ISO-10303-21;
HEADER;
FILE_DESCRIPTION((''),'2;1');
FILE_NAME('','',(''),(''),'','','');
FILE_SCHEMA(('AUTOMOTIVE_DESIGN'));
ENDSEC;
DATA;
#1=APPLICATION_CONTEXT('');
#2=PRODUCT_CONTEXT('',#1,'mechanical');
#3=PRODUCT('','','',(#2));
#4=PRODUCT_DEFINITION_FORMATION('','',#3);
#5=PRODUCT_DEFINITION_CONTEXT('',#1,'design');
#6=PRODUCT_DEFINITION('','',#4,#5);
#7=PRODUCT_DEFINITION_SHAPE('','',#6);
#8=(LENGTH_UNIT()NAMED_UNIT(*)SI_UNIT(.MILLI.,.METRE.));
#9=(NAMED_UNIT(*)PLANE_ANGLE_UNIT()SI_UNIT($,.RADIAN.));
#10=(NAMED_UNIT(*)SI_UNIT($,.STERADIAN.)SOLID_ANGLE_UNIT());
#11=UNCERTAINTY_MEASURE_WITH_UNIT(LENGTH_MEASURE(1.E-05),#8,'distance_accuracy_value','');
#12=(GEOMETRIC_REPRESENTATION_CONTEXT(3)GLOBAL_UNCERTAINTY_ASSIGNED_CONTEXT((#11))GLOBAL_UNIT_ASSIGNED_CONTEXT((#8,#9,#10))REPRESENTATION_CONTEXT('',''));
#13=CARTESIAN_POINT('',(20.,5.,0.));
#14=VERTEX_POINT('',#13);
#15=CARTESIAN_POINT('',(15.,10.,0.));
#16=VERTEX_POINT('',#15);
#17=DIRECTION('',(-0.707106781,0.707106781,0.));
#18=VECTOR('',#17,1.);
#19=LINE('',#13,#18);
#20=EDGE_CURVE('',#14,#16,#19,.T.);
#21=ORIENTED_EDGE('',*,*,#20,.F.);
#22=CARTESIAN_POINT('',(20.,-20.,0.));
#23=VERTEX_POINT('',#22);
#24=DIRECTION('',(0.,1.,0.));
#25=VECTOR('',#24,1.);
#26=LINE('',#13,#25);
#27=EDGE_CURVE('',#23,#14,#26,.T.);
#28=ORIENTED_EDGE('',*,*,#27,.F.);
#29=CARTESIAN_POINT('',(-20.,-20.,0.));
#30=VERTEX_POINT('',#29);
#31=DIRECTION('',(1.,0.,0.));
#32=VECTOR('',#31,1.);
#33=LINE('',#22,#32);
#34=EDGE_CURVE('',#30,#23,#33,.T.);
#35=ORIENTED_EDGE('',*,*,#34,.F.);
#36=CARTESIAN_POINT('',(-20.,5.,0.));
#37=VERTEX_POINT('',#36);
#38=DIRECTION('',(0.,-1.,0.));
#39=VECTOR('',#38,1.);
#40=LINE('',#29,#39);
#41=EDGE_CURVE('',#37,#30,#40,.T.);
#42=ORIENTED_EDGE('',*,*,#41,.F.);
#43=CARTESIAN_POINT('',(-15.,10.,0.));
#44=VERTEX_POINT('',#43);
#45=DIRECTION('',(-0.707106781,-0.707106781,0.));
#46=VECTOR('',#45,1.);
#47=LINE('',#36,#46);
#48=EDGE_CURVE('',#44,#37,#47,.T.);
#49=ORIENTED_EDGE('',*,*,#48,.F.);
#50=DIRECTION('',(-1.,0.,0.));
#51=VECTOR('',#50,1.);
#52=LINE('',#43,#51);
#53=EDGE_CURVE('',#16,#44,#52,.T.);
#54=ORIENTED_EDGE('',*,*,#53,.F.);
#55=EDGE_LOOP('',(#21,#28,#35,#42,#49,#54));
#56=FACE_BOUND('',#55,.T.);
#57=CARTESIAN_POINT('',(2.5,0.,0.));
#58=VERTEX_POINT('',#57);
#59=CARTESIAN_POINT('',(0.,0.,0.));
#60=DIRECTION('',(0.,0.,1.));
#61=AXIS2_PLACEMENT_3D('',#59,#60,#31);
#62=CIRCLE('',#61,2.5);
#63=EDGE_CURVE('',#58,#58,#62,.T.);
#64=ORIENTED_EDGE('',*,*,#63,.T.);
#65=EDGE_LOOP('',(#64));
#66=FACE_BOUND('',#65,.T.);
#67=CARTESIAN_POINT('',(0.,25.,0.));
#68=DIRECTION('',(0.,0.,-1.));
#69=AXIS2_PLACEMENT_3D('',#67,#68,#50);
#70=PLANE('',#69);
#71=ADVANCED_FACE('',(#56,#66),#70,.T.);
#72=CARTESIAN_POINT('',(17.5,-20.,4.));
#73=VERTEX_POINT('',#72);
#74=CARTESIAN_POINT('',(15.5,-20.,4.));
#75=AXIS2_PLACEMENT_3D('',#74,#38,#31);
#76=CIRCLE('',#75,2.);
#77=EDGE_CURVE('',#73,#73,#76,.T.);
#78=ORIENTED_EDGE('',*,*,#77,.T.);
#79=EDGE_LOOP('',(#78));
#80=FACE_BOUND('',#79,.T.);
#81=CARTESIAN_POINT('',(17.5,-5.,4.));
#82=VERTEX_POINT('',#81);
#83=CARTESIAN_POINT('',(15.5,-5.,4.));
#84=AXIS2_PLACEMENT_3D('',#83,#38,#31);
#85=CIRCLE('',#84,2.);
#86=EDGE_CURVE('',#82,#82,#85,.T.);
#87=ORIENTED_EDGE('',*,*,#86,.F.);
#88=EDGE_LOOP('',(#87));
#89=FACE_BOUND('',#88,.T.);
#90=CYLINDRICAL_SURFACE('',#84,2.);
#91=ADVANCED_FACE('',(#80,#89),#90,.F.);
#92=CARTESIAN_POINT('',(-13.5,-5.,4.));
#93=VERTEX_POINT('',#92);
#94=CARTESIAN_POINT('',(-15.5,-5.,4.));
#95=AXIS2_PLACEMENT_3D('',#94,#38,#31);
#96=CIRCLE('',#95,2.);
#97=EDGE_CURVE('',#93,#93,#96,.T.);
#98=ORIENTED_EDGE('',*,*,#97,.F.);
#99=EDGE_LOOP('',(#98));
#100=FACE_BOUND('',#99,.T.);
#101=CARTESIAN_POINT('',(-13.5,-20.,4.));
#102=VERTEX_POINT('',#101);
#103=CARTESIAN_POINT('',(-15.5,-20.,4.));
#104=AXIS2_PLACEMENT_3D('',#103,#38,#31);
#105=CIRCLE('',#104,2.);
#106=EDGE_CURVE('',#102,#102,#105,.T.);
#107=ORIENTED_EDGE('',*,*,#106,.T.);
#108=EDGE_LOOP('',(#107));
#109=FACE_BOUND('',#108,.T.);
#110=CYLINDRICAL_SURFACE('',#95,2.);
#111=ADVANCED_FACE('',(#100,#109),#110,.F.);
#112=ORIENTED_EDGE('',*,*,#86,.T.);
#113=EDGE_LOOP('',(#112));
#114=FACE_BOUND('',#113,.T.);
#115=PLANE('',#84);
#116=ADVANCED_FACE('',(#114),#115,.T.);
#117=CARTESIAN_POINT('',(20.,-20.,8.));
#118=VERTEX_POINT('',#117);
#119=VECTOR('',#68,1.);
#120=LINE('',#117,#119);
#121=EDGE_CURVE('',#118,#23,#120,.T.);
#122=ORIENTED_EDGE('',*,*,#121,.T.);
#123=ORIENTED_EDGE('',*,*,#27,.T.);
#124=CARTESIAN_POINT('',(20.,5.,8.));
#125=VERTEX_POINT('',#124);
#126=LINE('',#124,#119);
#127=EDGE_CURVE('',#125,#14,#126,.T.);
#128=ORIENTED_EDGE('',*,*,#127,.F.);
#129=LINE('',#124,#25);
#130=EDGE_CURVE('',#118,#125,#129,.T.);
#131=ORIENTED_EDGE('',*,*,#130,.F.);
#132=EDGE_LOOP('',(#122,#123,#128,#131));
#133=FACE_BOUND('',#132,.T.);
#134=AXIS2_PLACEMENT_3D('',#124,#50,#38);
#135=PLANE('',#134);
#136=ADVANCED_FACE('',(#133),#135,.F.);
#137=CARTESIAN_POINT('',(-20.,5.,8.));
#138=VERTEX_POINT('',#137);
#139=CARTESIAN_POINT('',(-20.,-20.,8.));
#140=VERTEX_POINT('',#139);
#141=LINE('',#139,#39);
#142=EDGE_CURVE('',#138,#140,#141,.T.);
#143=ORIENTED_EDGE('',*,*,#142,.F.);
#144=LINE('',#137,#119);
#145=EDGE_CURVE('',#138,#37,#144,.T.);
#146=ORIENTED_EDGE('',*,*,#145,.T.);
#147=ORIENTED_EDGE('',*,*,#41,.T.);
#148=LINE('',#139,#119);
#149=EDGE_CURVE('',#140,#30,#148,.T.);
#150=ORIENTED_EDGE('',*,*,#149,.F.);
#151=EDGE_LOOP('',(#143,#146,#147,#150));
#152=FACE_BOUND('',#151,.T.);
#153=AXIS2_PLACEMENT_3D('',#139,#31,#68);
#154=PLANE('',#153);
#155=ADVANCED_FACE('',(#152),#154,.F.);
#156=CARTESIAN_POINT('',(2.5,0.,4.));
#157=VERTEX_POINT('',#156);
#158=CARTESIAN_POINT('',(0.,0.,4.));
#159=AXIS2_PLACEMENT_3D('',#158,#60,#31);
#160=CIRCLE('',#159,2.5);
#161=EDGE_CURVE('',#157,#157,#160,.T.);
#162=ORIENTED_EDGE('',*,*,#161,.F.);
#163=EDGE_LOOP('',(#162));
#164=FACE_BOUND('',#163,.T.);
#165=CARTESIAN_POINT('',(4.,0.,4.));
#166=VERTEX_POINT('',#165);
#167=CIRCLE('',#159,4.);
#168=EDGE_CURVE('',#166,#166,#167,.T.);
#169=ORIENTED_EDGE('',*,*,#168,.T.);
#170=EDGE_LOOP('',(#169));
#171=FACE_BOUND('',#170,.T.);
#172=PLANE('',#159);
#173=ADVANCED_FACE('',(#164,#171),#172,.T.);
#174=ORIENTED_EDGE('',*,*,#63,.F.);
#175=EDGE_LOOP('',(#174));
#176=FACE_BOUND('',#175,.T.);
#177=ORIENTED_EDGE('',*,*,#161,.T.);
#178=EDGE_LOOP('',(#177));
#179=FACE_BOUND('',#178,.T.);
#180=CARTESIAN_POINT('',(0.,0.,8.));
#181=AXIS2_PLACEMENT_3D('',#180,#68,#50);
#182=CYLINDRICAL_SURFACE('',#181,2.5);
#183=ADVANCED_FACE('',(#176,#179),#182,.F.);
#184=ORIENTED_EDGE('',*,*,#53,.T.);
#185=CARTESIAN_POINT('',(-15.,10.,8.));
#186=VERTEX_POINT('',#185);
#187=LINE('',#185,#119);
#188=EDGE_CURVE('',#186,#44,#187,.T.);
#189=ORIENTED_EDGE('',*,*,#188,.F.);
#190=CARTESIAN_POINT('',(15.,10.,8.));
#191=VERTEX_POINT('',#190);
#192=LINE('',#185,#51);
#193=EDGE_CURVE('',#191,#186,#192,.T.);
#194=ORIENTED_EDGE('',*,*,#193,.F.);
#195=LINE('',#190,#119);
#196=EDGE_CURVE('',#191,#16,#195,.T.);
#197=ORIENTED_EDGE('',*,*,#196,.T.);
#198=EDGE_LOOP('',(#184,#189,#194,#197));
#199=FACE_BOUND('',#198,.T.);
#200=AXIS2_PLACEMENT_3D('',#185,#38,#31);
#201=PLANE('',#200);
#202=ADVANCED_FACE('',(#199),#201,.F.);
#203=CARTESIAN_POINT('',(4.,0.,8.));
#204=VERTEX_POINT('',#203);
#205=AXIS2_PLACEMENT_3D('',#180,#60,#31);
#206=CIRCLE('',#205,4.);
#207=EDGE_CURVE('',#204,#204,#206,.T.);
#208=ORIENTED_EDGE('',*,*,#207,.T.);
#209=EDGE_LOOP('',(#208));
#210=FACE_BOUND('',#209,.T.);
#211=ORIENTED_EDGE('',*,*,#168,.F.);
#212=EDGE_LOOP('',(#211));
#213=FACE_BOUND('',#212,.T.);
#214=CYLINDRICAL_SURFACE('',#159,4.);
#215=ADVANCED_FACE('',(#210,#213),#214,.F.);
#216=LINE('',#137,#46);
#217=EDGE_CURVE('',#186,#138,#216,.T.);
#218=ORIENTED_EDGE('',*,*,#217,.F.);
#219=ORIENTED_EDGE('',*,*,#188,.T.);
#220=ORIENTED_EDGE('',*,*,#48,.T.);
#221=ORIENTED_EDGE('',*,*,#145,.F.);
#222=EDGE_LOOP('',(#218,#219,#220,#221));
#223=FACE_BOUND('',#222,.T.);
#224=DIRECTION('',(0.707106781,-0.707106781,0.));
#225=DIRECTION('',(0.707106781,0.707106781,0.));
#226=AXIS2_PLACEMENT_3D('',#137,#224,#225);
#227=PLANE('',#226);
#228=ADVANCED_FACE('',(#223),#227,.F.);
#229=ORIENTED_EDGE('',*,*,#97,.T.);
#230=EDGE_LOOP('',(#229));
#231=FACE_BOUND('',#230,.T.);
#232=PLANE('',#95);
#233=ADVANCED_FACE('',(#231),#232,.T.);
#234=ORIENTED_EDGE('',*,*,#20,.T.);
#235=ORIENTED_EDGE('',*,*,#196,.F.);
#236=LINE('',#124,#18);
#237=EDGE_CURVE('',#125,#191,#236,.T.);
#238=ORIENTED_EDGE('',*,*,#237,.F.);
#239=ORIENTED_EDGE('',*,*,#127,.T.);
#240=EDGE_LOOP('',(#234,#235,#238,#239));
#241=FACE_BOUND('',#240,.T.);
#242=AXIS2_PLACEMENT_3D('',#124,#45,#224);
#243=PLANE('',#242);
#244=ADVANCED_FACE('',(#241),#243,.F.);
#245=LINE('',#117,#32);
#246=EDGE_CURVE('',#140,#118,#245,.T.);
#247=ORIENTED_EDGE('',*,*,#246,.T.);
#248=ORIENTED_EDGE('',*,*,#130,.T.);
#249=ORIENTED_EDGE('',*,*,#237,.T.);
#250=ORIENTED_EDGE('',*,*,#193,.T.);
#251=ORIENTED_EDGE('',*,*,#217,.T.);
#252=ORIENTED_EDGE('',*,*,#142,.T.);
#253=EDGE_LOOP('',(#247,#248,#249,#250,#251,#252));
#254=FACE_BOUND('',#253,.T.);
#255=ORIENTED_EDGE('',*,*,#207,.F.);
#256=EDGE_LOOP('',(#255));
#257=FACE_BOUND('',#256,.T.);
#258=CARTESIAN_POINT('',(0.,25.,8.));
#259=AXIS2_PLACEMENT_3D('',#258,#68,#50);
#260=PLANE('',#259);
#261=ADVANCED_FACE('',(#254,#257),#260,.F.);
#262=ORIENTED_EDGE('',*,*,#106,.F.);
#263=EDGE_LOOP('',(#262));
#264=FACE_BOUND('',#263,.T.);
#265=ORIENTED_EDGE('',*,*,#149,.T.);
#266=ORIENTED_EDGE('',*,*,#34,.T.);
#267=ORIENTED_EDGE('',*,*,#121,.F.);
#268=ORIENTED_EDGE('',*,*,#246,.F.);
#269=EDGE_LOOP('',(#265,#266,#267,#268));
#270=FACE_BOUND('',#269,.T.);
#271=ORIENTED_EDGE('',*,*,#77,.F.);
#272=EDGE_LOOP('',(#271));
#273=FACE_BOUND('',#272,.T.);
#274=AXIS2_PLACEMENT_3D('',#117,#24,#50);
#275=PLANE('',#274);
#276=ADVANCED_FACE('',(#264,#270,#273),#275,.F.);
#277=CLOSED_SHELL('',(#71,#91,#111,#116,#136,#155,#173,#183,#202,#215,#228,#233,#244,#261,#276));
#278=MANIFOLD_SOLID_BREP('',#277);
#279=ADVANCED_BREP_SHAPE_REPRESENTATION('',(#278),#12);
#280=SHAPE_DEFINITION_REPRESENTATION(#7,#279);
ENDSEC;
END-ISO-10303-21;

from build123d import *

# Parameters (mm, degrees)
ESQUISSE1_R      = 2.5
EXTRUSION1_DEPTH = 8
ESQUISSE2_R      = 4
EXTRUSION2_DEPTH = 4
ESQUISSE3_R      = 2
EXTRUSION3_DEPTH = 15


with BuildPart() as part:
    # Esquisse1 → Extrusion1 (new body)
    with BuildSketch(Plane.XY):
        Polygon((-20, -20), (-20, 5), (-15, 10), (15, 10), (20, 5), (20, -20), align=None)
        Circle(ESQUISSE1_R, mode=Mode.SUBTRACT)
    extrude(amount=EXTRUSION1_DEPTH)

    # Esquisse2 → Extrusion2 (cut)
    with BuildSketch(Plane.XY.offset(8)):
        Circle(ESQUISSE2_R)
    extrude(amount=-EXTRUSION2_DEPTH, mode=Mode.SUBTRACT)

    # Esquisse3 → Extrusion3 (cut)
    with BuildSketch(Plane.XZ.offset(20)):
        with Locations((-15.5, 4)):
            Circle(ESQUISSE3_R)
        with Locations((15.5, 4)):
            Circle(ESQUISSE3_R)
    extrude(amount=-EXTRUSION3_DEPTH, mode=Mode.SUBTRACT)


solid = part.part
